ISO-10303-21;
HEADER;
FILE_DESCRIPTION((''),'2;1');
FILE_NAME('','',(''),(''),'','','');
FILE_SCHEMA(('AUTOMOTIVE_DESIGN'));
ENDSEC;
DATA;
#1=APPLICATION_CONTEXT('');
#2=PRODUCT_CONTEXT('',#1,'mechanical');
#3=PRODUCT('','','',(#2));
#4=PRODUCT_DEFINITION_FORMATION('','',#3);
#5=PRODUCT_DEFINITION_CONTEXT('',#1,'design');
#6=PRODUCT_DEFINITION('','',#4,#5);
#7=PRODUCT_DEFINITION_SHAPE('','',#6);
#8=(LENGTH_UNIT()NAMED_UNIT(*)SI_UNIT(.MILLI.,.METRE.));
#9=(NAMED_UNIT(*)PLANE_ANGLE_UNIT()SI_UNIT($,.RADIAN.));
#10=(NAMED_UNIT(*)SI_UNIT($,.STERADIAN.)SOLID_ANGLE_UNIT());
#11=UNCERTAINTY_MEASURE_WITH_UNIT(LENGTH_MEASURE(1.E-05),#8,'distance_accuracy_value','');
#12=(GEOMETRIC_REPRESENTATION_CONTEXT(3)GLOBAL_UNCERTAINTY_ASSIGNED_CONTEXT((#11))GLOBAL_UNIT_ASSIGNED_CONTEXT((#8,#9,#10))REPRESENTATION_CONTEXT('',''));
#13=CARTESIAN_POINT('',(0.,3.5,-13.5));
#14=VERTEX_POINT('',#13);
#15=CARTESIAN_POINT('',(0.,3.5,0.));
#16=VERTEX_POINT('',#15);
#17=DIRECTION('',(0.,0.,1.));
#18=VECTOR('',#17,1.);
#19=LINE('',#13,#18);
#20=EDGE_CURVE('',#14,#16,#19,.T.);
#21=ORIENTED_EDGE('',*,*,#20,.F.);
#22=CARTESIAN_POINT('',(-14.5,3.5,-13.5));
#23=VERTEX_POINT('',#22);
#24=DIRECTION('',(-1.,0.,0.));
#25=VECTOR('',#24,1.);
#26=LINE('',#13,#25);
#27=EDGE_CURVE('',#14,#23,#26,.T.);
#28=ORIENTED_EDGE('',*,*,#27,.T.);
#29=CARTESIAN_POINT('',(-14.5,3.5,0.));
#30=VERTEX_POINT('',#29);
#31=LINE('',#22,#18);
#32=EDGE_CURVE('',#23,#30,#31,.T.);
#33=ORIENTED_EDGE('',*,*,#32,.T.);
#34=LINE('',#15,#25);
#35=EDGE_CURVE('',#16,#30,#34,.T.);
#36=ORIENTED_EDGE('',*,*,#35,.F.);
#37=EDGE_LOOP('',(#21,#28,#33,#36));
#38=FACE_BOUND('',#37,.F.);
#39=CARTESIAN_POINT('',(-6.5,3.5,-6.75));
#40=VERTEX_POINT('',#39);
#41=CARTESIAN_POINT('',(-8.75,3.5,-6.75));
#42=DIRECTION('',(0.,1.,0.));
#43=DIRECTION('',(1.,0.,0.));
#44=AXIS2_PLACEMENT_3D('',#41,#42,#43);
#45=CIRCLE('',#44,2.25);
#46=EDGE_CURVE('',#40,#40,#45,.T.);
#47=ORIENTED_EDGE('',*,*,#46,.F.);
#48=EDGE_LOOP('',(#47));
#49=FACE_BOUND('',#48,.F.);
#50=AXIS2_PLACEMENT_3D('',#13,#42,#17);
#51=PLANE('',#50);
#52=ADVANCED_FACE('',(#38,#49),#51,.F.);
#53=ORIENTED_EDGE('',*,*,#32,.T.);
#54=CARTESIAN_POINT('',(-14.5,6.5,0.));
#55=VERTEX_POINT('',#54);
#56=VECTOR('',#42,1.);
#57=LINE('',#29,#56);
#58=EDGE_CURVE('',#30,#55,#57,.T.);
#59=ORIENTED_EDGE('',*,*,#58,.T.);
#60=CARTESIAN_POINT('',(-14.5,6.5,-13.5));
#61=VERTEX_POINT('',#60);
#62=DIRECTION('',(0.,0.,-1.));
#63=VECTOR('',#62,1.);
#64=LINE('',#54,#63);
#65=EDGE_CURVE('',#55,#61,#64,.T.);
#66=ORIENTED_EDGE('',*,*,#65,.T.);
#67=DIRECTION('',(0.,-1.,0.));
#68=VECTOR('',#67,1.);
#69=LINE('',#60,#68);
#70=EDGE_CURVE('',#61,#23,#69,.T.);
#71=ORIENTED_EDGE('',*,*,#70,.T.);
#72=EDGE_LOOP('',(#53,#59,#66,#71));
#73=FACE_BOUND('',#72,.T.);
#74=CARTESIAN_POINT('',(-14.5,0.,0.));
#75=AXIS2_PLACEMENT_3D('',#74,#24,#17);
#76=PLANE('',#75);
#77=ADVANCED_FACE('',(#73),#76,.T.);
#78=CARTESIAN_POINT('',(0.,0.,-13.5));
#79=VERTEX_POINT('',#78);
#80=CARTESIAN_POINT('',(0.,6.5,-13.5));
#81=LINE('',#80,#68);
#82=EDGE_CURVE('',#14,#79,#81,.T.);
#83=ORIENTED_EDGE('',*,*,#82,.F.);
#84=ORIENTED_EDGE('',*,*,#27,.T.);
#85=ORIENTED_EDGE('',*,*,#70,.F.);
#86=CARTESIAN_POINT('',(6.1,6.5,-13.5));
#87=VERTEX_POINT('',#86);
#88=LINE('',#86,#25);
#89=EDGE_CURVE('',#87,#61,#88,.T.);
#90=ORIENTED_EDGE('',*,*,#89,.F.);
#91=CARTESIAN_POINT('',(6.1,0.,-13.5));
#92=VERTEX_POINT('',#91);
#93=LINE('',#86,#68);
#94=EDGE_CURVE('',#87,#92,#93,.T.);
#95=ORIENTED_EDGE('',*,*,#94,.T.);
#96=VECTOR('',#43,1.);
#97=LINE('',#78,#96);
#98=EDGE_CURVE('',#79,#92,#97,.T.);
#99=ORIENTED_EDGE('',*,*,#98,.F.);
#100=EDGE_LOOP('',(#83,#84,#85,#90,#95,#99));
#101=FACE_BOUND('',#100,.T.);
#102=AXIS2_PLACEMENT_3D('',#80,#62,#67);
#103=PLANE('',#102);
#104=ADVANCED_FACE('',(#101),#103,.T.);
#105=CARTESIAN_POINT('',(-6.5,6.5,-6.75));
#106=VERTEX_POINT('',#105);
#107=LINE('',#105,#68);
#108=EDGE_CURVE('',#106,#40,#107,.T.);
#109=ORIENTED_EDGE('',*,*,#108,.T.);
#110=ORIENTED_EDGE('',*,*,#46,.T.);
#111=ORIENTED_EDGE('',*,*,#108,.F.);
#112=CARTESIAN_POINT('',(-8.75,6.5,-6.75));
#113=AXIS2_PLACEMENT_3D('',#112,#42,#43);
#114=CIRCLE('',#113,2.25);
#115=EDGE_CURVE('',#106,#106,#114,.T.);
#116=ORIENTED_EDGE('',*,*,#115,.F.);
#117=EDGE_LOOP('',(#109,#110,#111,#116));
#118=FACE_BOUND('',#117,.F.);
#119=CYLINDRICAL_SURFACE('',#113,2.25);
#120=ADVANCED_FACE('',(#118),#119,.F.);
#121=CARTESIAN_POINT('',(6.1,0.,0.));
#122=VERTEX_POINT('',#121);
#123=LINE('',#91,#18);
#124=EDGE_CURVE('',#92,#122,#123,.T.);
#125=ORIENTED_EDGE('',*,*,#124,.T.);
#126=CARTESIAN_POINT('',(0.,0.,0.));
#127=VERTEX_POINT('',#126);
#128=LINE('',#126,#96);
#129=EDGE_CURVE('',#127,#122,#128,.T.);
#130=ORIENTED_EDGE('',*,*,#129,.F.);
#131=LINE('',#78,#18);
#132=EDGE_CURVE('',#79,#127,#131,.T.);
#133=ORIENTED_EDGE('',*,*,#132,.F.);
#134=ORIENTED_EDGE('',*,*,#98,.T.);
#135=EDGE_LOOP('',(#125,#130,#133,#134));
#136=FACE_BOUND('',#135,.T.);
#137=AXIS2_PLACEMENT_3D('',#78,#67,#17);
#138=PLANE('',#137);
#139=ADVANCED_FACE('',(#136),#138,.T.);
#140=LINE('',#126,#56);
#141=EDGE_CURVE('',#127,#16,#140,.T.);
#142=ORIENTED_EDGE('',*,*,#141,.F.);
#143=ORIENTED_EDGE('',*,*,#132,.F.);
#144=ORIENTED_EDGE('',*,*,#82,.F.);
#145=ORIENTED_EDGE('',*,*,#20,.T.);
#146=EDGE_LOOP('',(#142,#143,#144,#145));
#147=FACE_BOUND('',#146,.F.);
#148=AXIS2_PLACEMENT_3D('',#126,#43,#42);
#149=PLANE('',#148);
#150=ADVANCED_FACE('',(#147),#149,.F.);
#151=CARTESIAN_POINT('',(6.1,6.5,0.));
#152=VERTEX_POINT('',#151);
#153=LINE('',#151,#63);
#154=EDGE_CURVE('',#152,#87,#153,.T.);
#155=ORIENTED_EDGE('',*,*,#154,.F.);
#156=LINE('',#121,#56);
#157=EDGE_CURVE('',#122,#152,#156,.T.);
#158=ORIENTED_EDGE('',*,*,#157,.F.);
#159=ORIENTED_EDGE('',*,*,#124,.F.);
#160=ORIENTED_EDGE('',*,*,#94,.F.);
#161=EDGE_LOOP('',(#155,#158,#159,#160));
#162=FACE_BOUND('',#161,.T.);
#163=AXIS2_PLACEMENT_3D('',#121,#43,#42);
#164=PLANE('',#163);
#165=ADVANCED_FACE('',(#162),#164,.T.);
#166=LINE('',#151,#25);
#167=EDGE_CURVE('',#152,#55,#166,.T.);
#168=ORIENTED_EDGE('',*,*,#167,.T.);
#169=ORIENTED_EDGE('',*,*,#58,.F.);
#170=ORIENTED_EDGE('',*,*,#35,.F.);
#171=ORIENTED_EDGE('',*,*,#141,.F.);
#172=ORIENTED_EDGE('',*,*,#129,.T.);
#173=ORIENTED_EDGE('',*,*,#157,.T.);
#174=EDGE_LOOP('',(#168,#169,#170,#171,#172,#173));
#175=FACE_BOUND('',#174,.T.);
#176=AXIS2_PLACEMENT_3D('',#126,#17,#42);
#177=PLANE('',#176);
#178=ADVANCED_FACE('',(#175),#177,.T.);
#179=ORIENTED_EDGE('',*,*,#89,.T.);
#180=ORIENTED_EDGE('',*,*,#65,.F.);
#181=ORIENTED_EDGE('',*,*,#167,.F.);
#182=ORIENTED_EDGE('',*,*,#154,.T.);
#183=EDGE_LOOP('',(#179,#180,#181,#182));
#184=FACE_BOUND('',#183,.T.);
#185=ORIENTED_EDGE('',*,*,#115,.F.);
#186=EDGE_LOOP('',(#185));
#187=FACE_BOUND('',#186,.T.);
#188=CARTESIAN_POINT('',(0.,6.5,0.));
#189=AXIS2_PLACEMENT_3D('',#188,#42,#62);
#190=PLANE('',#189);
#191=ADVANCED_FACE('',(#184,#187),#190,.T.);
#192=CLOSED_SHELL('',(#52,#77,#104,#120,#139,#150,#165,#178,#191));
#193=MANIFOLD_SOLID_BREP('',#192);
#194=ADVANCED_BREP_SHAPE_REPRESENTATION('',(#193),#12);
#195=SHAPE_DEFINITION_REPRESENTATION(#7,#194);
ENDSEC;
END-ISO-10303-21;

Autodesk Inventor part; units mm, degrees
ref_plane "YZ Plane" through (0, 0, 0) normal (1, 0, 0) x (0, 1, 0)
ref_plane "XZ Plane" through (0, 0, 0) normal (0, 1, 0) x (-1, 0, 0)
ref_plane "XY Plane" through (0, 0, 0) normal (0, 0, 1) x (1, 0, 0)
sketch "Sketch1" plane through (0, 0, 0) normal (1, 0, 0) x (0, 1, 0)
  line L0 (0, 0) -> (6.5, 0)
  line L1 (6.5, 0) -> (6.5, -13.5)
  line L2 (6.5, -13.5) -> (0, -13.5)
  line L3 (0, -13.5) -> (0, 0)
  dimension "d0" = 6.5
  dimension "d1" = 13.5
extrude "Extrusion1" add sketch "Sketch1" along normal blind 6.1
sketch "Sketch2" plane through (0, 0, 0) normal (-1, 0, 0) x (0, 0, 1)
  line L0 (-13.5, 3.5) -> (0, 3.5)
  line L1 (0, 3.5) -> (0, 6.5)
  line L2 (0, 6.5) -> (-13.5, 6.5)
  line L3 (-13.5, 6.5) -> (-13.5, 3.5)
  line L4 (0, 6.5) -> (0, 0) projected
  line L5 (-13.5, 6.5) -> (0, 6.5) projected
  dimension "d4" = 3
  dimension "d5" = 13.5
  dimension "d6" = 0
  dimension "d7" = 0
extrude "Extrusion2" add sketch "Sketch2" along normal blind 14.5
sketch "Sketch3" plane through (6.1, 6.5, 0) normal (0, 1, 0) x (1, 0, 0)
  circle A0 centre (-14.85, 6.75) radius 2.25
  line L0 (-20.6, 0) -> (-20.6, 13.5) projected
  line L1 (-20.6, 0) -> (0, 0) projected
  point P0 (-6.1, 0)
  dimension "d10" = 4.5
  dimension "d11" = 5.75
  dimension "d12" = 6.75
extrude "Extrusion3" cut sketch "Sketch3" against normal blind 14.5
sketch "Sketch4" plane through (6.1, 0, -13.5) normal (0, 0, -1) x (-1, 0, 0)
  point P0 (6.1, 0)
properties part number "gear support attachment"
